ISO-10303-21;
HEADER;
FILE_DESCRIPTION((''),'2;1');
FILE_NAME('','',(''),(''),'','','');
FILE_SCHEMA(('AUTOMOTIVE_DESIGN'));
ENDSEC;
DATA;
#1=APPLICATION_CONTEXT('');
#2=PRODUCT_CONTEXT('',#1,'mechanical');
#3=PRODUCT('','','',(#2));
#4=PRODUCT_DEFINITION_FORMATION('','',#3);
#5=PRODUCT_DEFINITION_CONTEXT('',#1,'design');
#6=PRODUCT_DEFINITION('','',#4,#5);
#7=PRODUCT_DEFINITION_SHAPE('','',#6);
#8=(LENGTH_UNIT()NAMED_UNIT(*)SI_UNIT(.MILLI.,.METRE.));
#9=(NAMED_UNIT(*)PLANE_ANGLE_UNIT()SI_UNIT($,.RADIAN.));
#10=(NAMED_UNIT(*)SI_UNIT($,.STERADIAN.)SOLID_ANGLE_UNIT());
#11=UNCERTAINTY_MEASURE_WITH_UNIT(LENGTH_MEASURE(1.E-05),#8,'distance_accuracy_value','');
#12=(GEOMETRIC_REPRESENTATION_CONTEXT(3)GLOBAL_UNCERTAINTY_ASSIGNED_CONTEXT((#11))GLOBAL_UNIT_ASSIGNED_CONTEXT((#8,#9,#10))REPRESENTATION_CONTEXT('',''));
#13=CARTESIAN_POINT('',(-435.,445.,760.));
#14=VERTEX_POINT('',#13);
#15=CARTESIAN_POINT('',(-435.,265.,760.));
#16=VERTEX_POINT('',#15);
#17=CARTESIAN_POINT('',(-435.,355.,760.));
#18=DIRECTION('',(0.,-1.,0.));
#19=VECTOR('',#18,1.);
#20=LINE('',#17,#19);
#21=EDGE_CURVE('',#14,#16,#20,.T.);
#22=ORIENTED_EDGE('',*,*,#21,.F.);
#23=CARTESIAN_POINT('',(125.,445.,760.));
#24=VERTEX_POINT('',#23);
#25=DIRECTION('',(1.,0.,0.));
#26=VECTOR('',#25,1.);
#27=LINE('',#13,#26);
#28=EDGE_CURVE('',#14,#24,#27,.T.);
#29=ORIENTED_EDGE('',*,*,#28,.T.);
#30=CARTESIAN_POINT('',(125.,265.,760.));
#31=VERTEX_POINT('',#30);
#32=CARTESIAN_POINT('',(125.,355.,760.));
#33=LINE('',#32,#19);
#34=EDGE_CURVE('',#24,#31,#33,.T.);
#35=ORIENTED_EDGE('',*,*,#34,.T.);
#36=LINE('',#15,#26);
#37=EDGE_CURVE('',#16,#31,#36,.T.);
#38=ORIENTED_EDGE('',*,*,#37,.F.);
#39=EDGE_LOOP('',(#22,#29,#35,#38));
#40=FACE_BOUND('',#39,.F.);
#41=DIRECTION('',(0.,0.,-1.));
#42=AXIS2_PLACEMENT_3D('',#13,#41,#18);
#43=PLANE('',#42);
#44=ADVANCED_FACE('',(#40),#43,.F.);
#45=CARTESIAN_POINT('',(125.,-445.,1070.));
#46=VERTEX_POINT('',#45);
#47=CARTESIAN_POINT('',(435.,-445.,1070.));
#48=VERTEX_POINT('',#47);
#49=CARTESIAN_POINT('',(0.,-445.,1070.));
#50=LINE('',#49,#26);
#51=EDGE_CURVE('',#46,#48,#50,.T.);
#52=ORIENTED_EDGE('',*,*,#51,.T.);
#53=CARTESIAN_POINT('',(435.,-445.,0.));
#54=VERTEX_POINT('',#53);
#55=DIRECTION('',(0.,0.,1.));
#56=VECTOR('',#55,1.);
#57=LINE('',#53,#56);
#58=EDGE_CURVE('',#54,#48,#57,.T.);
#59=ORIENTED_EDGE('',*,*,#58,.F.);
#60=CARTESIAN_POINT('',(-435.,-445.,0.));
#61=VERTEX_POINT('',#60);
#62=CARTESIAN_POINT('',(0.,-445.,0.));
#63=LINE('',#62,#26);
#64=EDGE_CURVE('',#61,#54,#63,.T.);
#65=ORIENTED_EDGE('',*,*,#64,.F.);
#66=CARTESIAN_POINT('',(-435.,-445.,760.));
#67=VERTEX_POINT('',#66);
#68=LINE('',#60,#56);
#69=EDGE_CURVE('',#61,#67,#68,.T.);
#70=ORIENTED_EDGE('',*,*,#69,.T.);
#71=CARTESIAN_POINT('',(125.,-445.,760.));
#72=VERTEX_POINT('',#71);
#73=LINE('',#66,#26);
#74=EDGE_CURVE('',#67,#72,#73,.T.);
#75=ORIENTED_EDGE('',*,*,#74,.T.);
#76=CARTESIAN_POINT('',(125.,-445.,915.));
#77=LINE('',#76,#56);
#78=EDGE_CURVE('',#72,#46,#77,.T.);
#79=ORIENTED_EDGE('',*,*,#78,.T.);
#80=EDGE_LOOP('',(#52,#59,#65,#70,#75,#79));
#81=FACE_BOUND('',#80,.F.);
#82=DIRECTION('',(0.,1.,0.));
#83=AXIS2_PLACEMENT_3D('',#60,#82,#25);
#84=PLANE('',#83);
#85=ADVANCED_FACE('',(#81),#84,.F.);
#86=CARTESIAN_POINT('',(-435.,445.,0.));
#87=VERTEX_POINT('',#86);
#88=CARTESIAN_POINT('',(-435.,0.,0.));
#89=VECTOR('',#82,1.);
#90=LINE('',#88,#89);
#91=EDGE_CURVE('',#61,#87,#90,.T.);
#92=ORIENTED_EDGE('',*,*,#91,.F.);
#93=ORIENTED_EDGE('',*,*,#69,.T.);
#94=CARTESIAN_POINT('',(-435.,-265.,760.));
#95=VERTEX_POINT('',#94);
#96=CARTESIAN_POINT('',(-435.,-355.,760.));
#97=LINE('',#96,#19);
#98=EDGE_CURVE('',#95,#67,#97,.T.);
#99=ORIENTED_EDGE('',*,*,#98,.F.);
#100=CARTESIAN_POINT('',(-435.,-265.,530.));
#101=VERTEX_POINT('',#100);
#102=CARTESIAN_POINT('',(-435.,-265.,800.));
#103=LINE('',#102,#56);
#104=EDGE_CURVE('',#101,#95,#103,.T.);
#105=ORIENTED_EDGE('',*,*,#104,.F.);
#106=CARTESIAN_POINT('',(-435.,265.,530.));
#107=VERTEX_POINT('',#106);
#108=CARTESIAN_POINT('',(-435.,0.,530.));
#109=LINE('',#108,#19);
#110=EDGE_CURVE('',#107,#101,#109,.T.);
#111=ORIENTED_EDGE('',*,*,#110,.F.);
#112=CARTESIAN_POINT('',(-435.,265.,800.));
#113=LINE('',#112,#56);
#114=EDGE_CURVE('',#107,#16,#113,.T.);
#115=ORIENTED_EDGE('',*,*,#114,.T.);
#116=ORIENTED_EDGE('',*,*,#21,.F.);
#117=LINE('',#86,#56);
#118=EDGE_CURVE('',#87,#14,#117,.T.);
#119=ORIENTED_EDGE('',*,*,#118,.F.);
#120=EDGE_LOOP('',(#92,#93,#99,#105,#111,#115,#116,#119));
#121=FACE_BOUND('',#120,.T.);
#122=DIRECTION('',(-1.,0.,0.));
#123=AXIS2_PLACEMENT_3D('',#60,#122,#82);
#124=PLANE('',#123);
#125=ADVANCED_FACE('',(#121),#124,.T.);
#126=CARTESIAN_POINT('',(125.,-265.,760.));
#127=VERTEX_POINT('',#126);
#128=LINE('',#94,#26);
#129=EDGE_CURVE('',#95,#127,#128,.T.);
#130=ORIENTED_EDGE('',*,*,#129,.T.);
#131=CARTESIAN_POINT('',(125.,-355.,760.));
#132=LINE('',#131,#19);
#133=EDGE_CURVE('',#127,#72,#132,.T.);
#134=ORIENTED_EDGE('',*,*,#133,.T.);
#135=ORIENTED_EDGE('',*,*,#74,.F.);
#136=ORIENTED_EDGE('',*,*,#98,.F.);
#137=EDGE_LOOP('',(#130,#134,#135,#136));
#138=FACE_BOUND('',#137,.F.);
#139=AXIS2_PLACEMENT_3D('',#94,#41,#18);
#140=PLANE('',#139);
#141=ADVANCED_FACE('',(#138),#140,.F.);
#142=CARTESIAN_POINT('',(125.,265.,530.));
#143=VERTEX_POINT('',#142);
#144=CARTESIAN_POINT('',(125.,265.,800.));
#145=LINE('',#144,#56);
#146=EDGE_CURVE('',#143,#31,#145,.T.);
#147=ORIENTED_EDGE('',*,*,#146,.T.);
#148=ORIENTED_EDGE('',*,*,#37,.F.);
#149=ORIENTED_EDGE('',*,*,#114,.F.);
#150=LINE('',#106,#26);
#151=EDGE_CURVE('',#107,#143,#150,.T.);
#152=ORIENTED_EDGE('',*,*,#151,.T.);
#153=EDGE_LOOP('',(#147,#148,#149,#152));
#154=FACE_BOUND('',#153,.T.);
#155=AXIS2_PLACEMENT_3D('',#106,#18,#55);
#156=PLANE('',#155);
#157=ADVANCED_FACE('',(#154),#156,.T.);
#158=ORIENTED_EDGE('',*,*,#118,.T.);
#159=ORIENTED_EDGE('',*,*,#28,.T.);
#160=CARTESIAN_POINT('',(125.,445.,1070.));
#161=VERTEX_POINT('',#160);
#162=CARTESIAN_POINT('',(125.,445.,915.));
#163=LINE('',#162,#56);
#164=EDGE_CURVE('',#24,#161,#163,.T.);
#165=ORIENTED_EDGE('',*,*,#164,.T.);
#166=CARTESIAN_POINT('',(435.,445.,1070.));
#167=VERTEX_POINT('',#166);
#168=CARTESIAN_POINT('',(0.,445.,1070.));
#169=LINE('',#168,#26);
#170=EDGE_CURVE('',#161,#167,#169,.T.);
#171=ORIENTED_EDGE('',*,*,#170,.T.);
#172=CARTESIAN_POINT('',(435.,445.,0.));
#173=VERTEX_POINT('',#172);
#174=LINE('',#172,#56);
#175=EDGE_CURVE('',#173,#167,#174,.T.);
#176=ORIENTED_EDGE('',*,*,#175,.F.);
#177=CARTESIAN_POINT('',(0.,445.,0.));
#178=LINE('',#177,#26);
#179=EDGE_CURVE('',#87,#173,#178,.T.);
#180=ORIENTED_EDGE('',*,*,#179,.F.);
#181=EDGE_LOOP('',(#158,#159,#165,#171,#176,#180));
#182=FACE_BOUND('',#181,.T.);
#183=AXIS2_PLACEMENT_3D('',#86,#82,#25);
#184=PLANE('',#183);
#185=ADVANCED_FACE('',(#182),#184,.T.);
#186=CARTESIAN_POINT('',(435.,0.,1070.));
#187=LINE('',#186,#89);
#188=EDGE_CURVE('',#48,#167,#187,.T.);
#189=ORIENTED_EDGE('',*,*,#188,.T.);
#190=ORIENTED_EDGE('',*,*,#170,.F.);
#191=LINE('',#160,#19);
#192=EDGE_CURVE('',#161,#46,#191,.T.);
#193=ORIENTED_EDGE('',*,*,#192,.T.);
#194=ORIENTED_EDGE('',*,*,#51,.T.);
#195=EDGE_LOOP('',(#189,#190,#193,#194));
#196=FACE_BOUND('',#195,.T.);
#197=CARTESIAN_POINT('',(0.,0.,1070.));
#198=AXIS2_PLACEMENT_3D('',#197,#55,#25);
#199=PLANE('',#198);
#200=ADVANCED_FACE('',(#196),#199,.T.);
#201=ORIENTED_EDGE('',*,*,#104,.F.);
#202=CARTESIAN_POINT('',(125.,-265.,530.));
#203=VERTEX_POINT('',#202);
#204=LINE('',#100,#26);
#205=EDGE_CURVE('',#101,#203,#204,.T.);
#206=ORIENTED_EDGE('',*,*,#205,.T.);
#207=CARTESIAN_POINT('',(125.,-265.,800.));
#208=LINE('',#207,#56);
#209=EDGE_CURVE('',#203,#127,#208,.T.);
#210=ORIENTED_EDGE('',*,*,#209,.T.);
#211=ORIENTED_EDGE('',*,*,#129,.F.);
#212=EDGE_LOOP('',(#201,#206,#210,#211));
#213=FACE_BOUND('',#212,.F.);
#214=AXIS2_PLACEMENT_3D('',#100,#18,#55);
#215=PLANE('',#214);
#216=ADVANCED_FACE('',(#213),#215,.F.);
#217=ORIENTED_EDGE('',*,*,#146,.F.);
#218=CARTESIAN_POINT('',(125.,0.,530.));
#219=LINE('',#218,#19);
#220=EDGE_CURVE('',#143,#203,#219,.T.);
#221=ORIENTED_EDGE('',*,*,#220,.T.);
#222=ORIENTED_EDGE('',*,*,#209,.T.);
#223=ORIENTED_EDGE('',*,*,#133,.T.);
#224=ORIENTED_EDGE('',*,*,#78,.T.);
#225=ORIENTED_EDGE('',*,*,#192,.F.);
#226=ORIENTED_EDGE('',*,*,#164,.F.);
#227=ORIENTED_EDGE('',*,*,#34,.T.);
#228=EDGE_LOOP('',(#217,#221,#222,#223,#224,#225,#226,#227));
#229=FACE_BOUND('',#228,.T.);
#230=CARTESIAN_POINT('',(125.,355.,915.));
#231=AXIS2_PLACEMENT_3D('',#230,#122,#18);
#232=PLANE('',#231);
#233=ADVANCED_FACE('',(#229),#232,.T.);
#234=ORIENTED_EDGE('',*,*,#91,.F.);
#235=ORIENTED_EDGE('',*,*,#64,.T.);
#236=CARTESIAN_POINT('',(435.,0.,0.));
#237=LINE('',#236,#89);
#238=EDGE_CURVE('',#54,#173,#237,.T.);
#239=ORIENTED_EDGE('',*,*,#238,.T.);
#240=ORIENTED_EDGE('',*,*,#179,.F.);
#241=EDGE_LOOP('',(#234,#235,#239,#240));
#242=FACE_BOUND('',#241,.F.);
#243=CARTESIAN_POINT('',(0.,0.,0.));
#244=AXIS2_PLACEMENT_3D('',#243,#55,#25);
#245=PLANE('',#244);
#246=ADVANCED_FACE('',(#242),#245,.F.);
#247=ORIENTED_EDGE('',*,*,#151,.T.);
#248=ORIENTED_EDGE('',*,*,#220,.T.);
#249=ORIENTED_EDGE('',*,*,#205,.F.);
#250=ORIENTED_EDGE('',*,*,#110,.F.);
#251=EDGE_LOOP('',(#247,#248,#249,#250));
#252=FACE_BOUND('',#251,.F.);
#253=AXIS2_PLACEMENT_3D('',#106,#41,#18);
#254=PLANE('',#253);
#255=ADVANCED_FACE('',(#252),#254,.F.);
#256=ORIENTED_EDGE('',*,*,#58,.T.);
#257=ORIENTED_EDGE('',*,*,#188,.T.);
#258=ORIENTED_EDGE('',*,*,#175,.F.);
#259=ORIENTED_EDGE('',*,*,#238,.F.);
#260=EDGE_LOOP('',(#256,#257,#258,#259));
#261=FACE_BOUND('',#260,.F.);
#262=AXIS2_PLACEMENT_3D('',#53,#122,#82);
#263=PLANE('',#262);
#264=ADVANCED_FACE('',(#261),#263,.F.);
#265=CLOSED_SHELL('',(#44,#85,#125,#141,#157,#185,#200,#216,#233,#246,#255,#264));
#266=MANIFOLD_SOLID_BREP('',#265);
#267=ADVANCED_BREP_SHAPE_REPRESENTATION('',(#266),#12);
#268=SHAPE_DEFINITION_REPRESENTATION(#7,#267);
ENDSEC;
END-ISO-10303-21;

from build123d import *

# Parameters (mm, degrees)
F0_W     = 870
F0_H     = 890
F1_DEPTH = 1070
F2_W     = 530
F2_H     = 540
F3_DEPTH = 560
F4_W     = 180
F4_H     = 310
F5_DEPTH = 560


with BuildPart() as f1:
    # F0 (on Top) → F1 (new body)
    with BuildSketch(Plane.XY):
        Rectangle(F0_W, F0_H)
    extrude(amount=F1_DEPTH)

    # F2 (on face) → F3 (cut)
    with BuildSketch(Plane(origin=(-435, 0, 0), x_dir=(0, -1, 0), z_dir=(-1, 0, 0))):
        with Locations((0, 800)):
            Rectangle(F2_W, F2_H)
    extrude(amount=-F3_DEPTH, mode=Mode.SUBTRACT)

    # F4 (on face) → F5 (cut, through all)
    with BuildSketch(Plane(origin=(-435, 0, 0), x_dir=(0, -1, 0), z_dir=(-1, 0, 0))):
        with Locations((-355, 915)):
            Rectangle(F4_W, F4_H)
        with Locations((355, 915)):
            Rectangle(F4_W, F4_H)
    extrude(amount=-F5_DEPTH, mode=Mode.SUBTRACT)


solid = f1.part
